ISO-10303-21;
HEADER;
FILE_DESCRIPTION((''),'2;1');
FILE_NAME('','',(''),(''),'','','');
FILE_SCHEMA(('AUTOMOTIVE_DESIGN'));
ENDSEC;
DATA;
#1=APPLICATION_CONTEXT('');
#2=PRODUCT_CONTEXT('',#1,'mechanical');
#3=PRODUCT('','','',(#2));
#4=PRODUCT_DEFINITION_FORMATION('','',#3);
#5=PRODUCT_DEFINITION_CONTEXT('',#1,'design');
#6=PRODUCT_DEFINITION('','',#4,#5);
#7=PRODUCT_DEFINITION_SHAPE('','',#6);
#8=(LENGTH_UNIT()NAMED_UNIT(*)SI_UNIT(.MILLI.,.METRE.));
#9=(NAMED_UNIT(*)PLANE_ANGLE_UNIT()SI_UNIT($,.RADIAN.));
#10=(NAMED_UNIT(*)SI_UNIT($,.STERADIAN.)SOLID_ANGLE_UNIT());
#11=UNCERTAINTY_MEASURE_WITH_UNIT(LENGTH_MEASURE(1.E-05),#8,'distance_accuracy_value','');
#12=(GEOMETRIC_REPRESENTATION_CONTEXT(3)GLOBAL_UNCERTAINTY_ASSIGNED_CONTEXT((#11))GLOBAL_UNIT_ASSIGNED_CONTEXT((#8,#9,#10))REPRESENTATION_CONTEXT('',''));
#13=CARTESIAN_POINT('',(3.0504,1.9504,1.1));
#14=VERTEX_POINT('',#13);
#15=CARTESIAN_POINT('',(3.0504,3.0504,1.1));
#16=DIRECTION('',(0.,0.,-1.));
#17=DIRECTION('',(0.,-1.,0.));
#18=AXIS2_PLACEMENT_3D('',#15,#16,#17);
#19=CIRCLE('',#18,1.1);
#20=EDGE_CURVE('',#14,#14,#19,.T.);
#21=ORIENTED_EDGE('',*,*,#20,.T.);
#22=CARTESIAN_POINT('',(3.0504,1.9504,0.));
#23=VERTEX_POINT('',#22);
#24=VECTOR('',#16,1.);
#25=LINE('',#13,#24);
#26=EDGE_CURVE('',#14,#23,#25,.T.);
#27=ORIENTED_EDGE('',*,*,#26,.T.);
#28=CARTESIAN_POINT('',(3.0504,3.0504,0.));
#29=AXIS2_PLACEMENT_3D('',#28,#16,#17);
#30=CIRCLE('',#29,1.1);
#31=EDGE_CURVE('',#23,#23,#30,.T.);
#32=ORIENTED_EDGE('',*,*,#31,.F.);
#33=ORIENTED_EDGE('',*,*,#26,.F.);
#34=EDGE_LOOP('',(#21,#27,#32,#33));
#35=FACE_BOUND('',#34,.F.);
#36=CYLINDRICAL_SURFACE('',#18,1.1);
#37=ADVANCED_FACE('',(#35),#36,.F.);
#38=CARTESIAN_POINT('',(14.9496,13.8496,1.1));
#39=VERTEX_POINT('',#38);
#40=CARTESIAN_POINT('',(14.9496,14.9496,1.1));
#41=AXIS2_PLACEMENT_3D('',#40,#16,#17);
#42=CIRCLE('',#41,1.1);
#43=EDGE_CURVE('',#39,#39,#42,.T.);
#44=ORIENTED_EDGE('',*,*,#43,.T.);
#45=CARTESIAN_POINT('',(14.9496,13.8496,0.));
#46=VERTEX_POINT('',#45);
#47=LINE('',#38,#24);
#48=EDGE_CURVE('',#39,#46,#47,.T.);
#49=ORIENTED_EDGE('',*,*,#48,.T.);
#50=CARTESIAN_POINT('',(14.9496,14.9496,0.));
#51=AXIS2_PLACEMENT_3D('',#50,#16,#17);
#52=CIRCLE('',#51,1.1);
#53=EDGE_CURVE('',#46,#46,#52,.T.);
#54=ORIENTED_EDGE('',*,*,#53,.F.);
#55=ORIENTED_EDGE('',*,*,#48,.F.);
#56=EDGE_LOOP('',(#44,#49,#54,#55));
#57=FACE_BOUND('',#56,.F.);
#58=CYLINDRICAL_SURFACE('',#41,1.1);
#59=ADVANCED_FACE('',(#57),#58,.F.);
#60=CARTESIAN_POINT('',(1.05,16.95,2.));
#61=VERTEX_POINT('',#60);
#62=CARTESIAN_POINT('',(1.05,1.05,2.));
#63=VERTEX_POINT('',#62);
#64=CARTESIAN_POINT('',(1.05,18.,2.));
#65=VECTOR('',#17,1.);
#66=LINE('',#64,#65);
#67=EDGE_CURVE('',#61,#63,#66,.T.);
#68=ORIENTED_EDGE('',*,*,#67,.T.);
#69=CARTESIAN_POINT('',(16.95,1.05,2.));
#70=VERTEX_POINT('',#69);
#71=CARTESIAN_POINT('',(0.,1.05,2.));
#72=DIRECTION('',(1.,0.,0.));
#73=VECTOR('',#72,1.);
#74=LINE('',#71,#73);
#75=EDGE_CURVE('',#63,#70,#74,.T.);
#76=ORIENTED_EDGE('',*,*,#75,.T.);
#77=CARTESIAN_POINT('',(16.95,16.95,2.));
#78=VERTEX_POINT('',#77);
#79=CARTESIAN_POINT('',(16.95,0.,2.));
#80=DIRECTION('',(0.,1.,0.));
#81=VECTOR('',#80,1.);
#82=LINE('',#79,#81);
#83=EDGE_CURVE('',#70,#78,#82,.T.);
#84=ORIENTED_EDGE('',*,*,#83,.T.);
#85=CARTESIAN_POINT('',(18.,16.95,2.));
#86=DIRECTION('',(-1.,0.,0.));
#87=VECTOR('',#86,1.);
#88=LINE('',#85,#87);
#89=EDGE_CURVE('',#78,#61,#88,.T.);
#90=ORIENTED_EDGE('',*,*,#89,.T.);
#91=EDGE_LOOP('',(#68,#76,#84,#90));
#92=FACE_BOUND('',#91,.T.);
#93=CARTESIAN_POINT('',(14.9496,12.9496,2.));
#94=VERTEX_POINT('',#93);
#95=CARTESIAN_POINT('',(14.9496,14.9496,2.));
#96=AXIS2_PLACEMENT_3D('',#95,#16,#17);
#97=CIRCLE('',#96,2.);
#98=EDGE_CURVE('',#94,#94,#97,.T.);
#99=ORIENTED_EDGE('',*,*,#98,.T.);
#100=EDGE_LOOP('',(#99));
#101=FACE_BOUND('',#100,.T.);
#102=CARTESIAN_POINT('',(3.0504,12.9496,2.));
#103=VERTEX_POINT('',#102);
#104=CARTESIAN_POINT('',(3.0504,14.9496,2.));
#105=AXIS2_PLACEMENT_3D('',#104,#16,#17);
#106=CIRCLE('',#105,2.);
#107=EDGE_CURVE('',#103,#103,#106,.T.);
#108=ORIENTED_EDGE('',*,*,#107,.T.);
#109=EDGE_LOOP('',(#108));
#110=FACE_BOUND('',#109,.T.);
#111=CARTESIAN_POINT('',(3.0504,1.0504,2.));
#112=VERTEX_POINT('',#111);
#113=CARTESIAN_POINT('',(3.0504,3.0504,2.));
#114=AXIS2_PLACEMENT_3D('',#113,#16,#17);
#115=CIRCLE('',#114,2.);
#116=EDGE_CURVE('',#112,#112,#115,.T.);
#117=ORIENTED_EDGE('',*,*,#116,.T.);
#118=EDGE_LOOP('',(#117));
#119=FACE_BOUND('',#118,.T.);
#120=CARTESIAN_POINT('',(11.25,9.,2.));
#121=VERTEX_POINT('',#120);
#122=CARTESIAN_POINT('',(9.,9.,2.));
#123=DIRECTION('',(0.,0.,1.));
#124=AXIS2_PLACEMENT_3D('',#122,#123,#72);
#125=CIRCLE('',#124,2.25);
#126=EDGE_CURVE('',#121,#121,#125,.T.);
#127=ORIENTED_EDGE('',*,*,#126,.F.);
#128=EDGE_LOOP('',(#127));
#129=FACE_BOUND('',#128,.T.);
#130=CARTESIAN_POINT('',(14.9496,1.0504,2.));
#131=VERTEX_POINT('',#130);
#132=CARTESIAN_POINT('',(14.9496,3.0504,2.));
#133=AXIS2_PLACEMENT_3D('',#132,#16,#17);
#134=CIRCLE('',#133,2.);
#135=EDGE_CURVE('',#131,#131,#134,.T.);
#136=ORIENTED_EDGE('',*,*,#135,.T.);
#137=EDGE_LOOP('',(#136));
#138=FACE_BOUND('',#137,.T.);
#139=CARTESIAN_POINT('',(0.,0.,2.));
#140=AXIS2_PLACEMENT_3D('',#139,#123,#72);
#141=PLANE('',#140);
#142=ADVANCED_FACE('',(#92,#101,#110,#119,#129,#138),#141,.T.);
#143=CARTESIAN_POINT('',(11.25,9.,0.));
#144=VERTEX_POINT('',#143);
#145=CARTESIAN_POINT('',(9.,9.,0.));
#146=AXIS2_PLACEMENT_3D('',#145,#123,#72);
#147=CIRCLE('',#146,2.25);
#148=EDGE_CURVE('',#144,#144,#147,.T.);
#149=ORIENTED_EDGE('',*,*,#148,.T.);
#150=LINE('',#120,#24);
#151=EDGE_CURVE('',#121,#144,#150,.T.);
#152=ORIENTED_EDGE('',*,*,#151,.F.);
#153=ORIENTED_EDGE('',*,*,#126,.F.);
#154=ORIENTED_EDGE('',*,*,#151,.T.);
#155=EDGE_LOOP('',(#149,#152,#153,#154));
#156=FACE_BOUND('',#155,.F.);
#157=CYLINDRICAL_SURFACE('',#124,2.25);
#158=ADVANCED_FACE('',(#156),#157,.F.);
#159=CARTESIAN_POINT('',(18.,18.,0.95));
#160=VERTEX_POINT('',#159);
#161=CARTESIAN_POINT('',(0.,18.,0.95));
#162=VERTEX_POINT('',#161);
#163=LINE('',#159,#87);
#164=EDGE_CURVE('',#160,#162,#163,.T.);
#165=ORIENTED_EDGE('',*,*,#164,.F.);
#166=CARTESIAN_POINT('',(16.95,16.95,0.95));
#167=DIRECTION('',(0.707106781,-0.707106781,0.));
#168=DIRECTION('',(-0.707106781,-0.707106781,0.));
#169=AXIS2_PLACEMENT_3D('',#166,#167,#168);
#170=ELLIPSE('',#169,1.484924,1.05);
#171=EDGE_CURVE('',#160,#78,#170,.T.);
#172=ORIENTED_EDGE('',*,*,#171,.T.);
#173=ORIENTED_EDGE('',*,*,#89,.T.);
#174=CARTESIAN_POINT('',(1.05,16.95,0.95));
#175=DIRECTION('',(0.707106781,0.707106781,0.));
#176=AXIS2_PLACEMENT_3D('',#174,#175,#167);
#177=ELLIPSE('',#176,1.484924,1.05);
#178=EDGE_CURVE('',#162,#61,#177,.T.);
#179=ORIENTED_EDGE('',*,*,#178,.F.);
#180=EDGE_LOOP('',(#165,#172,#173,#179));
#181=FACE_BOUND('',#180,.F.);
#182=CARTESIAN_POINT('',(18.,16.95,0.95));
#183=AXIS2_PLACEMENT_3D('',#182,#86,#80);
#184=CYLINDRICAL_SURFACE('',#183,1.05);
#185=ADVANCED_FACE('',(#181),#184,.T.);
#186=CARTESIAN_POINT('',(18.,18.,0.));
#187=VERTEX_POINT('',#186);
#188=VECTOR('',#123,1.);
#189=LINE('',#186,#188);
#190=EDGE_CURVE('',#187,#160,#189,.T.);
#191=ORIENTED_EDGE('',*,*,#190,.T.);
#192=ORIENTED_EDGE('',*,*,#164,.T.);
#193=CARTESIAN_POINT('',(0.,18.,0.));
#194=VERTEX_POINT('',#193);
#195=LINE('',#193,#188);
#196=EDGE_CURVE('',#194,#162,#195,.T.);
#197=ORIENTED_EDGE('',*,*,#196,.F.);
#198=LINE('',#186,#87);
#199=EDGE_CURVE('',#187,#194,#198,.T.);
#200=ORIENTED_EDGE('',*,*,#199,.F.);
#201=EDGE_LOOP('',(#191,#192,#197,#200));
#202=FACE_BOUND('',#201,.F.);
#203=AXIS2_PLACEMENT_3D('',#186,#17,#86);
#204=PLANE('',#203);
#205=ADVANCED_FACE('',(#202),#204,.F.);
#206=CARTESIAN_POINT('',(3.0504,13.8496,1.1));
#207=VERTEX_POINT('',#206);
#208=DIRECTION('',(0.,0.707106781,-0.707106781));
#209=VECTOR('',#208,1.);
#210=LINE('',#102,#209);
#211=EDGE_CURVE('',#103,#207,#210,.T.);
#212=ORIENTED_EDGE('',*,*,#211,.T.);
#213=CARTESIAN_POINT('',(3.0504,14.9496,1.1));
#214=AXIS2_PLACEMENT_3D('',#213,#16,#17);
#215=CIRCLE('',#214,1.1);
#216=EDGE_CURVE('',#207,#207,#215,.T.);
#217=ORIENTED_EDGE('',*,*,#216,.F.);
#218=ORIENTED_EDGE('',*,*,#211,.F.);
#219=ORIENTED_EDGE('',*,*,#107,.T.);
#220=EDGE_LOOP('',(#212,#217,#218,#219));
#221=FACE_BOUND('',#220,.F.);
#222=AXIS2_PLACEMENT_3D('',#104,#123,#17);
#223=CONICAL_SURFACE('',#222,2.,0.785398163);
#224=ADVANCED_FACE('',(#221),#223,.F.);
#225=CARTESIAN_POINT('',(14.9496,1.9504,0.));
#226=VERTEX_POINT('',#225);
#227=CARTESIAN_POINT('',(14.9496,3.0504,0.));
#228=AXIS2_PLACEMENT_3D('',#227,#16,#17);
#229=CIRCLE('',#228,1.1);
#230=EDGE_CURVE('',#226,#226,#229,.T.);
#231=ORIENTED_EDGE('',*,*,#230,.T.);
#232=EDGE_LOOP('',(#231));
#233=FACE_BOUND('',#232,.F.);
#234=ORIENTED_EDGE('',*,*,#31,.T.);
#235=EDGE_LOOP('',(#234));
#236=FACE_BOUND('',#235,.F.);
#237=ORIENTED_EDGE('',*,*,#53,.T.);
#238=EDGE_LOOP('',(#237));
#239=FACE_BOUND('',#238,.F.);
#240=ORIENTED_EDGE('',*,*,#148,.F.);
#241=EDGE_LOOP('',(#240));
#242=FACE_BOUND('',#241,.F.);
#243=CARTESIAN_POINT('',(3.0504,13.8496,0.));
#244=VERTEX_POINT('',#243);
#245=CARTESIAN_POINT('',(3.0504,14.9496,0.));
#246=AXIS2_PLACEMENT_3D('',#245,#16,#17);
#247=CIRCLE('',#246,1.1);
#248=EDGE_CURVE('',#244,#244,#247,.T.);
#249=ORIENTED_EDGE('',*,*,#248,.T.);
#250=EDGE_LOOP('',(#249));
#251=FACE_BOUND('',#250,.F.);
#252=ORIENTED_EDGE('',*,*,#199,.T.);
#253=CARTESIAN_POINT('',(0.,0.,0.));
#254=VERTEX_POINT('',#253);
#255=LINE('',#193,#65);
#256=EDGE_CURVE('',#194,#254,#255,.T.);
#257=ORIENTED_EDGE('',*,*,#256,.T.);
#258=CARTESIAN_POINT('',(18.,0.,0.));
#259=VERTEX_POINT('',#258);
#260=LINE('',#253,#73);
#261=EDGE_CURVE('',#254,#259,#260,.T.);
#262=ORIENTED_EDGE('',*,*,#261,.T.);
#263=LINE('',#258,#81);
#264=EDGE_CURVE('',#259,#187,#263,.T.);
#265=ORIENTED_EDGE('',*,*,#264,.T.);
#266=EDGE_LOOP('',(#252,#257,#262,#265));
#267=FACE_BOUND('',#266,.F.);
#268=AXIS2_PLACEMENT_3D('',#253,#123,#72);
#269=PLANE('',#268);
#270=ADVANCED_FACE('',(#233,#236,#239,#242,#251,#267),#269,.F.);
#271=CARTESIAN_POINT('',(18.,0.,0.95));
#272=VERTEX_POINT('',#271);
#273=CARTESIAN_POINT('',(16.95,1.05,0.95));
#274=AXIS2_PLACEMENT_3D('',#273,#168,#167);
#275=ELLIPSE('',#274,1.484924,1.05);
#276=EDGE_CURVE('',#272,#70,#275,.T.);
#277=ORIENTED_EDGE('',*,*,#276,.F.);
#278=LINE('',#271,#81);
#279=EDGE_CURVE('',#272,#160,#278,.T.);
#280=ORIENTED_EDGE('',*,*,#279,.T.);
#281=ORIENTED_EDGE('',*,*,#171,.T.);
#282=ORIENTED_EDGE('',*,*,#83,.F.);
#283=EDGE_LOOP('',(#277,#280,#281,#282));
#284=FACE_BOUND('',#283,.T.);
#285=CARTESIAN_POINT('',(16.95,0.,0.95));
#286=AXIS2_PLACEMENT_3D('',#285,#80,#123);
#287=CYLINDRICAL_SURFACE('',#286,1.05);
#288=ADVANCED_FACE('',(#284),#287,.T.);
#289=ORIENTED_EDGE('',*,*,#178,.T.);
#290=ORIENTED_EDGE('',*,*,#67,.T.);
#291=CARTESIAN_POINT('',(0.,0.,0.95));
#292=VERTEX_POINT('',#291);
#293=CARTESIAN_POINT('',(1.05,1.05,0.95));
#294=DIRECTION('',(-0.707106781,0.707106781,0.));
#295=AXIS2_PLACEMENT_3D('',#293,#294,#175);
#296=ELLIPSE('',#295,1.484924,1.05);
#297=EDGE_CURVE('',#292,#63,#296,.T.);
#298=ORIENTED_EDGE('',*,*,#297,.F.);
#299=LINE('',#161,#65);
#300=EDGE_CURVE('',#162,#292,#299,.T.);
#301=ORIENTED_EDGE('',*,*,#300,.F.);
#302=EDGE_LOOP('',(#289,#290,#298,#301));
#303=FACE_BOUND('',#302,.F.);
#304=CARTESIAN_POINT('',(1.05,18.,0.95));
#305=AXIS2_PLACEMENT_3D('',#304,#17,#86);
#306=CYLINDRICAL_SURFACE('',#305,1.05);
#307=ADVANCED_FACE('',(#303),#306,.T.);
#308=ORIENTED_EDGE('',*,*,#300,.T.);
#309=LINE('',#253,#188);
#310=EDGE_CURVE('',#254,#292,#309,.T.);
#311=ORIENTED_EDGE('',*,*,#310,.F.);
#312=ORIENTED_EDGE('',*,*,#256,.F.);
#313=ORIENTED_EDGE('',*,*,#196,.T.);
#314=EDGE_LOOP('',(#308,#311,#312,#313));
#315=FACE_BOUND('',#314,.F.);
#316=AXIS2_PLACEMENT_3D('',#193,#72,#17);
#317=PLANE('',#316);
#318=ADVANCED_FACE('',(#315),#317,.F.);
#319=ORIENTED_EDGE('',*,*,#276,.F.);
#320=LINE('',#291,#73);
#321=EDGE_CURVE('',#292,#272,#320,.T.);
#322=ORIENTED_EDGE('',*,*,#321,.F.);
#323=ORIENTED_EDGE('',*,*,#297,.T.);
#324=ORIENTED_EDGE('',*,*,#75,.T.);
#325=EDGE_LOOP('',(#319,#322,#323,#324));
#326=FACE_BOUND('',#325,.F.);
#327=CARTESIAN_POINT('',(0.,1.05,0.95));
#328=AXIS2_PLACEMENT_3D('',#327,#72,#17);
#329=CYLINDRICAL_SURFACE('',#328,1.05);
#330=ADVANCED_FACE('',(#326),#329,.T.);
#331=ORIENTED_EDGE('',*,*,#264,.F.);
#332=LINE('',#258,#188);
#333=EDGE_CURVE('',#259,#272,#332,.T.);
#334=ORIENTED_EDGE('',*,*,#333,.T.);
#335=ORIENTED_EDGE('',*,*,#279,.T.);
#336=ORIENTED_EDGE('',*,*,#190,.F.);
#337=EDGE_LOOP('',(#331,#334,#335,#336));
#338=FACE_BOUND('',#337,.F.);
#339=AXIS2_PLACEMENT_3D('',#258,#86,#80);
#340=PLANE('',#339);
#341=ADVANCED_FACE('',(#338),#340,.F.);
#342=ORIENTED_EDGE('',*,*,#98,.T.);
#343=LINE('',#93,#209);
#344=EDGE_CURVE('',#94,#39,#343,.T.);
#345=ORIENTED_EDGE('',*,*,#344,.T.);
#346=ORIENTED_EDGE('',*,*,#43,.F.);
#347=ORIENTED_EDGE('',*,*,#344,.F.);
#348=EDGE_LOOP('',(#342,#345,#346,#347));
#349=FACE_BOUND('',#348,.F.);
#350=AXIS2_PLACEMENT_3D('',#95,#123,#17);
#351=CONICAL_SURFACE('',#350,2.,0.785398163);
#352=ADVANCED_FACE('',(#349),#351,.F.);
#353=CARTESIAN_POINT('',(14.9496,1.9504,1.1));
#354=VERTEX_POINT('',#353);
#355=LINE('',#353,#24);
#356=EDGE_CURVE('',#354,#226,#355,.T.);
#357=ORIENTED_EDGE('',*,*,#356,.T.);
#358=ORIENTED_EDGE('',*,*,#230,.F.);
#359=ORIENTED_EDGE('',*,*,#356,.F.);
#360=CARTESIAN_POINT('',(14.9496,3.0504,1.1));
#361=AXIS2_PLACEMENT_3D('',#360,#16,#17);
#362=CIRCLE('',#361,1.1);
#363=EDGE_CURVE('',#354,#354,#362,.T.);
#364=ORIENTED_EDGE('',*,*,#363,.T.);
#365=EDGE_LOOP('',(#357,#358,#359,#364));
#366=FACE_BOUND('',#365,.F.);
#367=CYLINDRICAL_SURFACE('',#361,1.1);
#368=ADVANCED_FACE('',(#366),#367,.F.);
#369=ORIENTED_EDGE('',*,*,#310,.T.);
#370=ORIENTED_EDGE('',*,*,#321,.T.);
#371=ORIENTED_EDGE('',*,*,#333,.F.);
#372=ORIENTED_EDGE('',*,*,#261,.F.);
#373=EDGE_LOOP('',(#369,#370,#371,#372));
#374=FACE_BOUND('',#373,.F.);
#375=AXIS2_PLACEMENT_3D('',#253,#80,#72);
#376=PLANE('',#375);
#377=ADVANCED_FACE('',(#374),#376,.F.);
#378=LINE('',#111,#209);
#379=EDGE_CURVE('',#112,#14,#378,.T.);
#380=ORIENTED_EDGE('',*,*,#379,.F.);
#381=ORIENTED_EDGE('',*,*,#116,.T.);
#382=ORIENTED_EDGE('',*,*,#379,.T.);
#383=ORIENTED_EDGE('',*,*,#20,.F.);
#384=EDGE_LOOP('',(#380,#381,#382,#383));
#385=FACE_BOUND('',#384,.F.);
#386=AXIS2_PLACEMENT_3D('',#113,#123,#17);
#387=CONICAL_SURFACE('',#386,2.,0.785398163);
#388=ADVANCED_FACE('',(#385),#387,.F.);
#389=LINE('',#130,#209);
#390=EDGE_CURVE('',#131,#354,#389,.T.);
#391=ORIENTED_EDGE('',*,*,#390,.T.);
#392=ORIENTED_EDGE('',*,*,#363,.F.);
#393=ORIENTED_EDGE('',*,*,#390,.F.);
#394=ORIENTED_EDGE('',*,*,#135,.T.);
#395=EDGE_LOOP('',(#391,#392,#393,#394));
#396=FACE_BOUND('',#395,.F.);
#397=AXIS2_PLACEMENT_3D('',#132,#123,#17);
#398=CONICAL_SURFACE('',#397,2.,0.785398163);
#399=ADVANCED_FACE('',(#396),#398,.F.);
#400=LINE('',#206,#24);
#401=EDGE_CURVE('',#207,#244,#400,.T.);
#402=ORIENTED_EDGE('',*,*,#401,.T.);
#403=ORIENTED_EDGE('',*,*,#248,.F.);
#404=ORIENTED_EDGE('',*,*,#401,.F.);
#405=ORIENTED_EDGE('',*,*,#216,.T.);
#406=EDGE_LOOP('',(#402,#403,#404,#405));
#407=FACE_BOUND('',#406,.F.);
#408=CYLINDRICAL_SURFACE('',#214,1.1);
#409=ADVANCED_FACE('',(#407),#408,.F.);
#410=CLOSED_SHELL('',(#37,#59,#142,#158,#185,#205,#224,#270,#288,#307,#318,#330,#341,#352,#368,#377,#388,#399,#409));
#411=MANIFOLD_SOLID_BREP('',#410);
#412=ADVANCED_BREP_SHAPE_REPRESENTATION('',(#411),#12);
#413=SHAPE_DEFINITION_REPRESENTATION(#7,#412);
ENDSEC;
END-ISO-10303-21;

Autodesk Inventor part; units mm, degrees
ref_plane "YZ Plane" through (0, 0, 0) normal (1, 0, 0) x (0, 1, 0)
ref_plane "XZ Plane" through (0, 0, 0) normal (0, 1, 0) x (-1, 0, 0)
ref_plane "XY Plane" through (0, 0, 0) normal (0, 0, 1) x (1, 0, 0)
sketch "Эскиз1" plane through (0, 0, 0) normal (0, 0, 1) x (1, 0, 0)
  line L0 (0, 0) -> (18, 0)
  line L1 (18, 0) -> (18, 18)
  line L2 (18, 18) -> (0, 18)
  line L3 (0, 18) -> (0, 0)
  dimension "d0" = 18
  dimension "d1" = 18
extrude "Выдавливание1" add sketch "Эскиз1" along normal blind 2
sketch "Эскиз8" plane through (0, 0, 2) normal (0, 0, 1) x (1, 0, 0)
  line L0 (18, 18) -> (0, 18) construction
  line L1 (0, 0) -> (18, 18) construction
  line L2 (0, 0) -> (18, 0) construction
  line L3 (0, 18) -> (18, 0) construction
  circle A0 centre (9, 9) radius 2.25
  dimension "d38" = 4.5
extrude "Выдавливание5" cut sketch "Эскиз8" against normal through all
sketch "Эскиз9" plane through (0, 0, 2) normal (0, 0, 1) x (1, 0, 0)
  circle A0 centre (9, 9) radius 2.25 construction
  circle A1 centre (9, 9) radius 4.1 construction
  line L0 (0, 18) -> (0, 0) construction
  line L1 (0, 18) -> (6.1009, 11.8991) construction
  line L2 (18, 0) -> (18, 18) construction
  line L3 (18, 18) -> (11.8991, 11.8991) construction
  line L4 (0, 0) -> (6.1009, 6.1009) construction
  line L5 (0, 0) -> (18, 0) construction
  line L6 (18, 0) -> (11.8991, 6.1009) construction
  point P0 (3.0504, 14.9496)
  point P1 (14.9496, 14.9496)
  point P2 (3.0504, 3.0504)
  point P3 (14.9496, 3.0504)
  dimension "d41" = 8.2
hole "Отверстие4" at (3.0504, 14.9496, 2) at (3.0504, 3.0504, 2) at (14.9496, 3.0504, 2) at (14.9496, 14.9496, 2) direction (0, 0, -1) diameter 2.2 end through all countersink diameter 4 countersink angle 90
fillet "Сопряжение2" radius 1.05 4 edges at (9, 0, 2) (0, 9, 2) (9, 18, 2) (18, 9, 2)
properties part number "Крышка поворотного кулака"
